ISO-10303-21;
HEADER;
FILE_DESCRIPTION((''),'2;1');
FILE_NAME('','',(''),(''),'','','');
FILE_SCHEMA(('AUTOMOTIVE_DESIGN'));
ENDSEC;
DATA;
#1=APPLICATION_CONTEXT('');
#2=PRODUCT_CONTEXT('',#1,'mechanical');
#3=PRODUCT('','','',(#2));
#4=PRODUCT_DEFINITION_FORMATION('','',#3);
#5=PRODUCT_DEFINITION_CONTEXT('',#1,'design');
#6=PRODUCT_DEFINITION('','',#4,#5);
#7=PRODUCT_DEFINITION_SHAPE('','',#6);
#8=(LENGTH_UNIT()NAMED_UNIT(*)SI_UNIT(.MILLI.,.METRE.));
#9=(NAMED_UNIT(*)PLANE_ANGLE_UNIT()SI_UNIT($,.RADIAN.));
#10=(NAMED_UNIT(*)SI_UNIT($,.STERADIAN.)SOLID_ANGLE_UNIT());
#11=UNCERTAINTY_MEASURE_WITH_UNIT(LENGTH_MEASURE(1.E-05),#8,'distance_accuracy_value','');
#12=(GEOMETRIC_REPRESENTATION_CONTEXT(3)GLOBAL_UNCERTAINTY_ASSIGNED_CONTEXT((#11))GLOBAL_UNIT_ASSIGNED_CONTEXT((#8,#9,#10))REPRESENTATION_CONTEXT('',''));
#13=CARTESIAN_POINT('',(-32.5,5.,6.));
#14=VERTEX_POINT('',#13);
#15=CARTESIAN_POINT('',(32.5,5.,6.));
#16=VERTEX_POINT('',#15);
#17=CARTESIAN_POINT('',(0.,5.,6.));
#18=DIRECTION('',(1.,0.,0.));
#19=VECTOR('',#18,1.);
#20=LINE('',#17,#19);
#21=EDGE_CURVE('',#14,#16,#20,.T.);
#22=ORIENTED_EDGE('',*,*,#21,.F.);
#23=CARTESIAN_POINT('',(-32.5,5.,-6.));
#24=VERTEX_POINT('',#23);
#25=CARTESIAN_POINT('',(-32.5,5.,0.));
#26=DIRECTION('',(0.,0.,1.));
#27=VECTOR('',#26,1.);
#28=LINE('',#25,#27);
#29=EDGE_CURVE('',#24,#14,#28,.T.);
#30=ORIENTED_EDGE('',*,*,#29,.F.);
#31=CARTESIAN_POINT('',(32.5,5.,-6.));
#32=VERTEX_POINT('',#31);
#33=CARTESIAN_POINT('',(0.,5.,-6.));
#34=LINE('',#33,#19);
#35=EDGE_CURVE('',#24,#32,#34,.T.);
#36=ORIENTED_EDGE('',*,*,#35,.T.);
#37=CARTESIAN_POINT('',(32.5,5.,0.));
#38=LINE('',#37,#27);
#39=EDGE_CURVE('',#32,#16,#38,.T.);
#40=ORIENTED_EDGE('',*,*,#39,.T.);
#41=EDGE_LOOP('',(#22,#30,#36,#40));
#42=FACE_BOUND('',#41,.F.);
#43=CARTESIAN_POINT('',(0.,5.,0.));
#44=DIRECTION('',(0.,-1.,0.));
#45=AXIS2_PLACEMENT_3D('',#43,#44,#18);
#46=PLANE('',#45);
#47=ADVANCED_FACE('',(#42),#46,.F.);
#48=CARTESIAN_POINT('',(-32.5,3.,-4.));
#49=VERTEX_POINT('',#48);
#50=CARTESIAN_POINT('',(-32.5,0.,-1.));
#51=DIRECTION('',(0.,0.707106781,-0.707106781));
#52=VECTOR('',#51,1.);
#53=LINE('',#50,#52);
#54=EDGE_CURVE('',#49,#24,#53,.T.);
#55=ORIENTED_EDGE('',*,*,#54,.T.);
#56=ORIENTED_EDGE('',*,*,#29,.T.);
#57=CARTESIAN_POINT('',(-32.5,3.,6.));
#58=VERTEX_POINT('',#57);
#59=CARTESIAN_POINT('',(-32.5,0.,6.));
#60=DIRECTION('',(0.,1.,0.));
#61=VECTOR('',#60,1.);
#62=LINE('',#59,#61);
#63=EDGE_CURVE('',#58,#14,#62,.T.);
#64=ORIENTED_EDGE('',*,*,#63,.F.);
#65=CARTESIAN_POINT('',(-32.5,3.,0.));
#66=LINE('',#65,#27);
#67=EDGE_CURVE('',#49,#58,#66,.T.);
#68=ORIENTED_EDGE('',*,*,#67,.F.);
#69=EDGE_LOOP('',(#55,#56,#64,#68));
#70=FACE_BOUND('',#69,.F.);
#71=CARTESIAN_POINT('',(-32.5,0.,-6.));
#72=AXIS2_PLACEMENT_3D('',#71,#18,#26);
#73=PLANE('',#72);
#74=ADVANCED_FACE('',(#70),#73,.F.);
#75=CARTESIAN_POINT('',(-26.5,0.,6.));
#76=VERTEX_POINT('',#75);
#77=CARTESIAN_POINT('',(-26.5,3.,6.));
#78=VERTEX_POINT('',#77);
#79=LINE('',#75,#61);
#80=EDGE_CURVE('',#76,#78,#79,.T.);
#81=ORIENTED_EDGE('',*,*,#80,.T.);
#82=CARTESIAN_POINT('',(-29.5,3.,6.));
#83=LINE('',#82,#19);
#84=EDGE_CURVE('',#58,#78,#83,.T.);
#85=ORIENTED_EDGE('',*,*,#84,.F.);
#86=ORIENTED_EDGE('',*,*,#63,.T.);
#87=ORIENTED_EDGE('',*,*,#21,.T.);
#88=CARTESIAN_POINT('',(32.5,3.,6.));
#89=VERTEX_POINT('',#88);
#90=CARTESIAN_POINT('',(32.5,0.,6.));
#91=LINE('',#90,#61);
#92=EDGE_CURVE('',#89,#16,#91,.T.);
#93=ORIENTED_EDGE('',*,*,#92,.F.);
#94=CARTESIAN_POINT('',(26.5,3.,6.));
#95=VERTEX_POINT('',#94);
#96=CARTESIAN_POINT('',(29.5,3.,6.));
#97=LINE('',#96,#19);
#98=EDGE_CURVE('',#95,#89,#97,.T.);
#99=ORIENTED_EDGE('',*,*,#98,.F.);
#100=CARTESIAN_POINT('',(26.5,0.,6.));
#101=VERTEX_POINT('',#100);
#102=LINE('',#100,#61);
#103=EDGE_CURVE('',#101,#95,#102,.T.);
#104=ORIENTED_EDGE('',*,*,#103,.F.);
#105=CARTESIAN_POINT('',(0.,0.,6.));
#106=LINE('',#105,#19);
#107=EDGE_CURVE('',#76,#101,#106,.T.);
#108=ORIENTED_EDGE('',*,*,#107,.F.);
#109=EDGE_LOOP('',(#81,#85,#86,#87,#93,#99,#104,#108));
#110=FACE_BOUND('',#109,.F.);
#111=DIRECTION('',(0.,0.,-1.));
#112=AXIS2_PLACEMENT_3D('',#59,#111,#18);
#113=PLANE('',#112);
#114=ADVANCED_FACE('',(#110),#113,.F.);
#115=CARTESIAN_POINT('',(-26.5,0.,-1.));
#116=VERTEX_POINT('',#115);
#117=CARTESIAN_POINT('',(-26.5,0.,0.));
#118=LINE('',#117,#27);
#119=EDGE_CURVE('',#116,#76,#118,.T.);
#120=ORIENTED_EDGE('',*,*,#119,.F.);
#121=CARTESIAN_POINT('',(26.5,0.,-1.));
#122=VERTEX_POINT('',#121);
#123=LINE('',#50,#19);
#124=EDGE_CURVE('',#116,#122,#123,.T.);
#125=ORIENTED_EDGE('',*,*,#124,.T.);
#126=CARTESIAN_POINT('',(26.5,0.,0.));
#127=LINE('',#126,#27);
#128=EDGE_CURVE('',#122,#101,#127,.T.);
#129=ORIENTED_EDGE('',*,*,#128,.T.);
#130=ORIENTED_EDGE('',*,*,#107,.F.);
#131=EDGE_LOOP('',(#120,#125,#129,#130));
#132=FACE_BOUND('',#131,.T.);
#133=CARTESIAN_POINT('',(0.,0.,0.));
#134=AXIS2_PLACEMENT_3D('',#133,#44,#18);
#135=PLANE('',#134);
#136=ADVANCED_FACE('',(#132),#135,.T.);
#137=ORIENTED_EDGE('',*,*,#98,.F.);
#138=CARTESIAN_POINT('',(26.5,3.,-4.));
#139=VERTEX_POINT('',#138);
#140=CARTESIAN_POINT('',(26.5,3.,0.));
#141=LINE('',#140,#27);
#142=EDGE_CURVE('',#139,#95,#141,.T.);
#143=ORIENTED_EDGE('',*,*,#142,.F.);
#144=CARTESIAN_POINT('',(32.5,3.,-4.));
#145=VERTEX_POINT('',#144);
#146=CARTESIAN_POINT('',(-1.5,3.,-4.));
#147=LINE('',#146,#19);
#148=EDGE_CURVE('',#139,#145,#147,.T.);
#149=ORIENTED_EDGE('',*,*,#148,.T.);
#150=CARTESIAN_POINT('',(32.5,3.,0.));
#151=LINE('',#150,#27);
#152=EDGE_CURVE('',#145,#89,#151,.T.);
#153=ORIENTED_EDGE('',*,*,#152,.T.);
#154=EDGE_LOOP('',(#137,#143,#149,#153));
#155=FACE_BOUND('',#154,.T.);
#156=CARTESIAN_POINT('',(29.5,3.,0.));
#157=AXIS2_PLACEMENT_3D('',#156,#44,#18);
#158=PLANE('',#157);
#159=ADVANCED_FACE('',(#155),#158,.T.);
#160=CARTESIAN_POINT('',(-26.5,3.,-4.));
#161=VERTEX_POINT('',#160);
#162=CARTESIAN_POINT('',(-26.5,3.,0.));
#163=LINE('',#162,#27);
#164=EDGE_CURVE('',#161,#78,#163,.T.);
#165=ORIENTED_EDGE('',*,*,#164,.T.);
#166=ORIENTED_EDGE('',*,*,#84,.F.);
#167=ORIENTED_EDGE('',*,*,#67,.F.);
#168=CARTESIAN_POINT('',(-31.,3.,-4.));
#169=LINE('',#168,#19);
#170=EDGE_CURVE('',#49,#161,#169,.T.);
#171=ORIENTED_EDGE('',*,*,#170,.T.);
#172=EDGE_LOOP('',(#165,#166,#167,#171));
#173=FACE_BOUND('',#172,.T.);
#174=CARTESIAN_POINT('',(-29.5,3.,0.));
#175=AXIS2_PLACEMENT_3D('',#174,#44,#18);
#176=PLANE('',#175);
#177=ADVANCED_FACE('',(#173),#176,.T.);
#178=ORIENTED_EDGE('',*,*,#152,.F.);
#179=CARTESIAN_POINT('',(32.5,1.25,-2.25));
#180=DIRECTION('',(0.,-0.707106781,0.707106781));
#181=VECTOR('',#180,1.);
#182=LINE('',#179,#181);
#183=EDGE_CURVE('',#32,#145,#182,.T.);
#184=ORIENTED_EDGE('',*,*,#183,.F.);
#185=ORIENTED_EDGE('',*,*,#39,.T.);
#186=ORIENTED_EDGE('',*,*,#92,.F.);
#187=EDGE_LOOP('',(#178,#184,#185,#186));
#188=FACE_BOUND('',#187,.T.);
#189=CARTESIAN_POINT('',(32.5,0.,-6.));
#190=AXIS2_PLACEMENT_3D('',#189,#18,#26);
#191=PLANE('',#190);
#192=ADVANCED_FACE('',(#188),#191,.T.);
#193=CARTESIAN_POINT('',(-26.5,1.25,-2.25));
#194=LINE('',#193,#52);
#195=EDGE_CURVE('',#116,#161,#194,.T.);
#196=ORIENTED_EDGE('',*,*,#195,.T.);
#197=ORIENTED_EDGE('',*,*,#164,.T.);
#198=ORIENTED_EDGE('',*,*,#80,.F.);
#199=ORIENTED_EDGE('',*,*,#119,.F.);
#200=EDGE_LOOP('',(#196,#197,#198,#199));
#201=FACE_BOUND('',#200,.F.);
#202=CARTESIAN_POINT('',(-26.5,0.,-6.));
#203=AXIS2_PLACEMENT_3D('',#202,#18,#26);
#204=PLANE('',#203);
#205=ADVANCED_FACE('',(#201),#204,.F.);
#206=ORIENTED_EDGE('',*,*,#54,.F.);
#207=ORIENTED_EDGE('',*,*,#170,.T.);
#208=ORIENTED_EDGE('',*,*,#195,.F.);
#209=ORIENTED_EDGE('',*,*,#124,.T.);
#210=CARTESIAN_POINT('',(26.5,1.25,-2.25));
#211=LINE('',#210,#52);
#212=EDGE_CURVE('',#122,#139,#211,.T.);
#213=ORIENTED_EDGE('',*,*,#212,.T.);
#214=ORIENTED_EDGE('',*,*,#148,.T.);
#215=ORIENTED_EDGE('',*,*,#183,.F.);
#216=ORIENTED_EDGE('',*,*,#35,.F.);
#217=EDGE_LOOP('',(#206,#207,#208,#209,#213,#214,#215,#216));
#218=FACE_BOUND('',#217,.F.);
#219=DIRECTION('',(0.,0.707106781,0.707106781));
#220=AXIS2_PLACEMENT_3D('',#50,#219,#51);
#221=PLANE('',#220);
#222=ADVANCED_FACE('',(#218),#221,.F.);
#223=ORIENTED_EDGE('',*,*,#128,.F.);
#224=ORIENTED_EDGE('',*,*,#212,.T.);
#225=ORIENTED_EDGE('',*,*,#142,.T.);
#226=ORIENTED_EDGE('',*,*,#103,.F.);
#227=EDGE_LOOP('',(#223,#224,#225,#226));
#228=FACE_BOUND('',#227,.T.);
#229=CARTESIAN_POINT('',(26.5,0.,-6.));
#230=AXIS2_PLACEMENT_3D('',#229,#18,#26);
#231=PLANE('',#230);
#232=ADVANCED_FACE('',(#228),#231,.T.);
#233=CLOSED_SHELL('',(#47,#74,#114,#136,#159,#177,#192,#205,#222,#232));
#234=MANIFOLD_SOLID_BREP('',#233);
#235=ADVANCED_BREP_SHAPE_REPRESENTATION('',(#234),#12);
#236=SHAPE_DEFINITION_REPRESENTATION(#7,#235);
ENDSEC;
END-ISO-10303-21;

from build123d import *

# Parameters (mm, degrees)
F0_W     = 65
F0_H     = 12
F1_DEPTH = 5
F3_DEPTH = 65.001
F4_W     = 6
F4_H     = 12
F5_DEPTH = 3


with BuildPart() as f1:
    # F0 (on Front) → F1 (new body)
    with BuildSketch(Plane.XZ):
        Rectangle(F0_W, F0_H)
    extrude(amount=-F1_DEPTH)

    # F2 (on face) → F3 (cut, through all)
    with BuildSketch(Plane(origin=(-32.5, 0, 0), x_dir=(0, -1, 0), z_dir=(-1, 0, 0))):
        Polygon((0, -6), (0, -1), (-5, -6), align=None)
    extrude(amount=-F3_DEPTH, mode=Mode.SUBTRACT)

    # F4 (on face) → F5 (cut)
    with BuildSketch(Plane.XZ):
        with Locations((29.5, 0)):
            Rectangle(F4_W, F4_H)
        with Locations((-29.5, 0)):
            Rectangle(F4_W, F4_H)
    extrude(amount=-F5_DEPTH, mode=Mode.SUBTRACT)


solid = f1.part
